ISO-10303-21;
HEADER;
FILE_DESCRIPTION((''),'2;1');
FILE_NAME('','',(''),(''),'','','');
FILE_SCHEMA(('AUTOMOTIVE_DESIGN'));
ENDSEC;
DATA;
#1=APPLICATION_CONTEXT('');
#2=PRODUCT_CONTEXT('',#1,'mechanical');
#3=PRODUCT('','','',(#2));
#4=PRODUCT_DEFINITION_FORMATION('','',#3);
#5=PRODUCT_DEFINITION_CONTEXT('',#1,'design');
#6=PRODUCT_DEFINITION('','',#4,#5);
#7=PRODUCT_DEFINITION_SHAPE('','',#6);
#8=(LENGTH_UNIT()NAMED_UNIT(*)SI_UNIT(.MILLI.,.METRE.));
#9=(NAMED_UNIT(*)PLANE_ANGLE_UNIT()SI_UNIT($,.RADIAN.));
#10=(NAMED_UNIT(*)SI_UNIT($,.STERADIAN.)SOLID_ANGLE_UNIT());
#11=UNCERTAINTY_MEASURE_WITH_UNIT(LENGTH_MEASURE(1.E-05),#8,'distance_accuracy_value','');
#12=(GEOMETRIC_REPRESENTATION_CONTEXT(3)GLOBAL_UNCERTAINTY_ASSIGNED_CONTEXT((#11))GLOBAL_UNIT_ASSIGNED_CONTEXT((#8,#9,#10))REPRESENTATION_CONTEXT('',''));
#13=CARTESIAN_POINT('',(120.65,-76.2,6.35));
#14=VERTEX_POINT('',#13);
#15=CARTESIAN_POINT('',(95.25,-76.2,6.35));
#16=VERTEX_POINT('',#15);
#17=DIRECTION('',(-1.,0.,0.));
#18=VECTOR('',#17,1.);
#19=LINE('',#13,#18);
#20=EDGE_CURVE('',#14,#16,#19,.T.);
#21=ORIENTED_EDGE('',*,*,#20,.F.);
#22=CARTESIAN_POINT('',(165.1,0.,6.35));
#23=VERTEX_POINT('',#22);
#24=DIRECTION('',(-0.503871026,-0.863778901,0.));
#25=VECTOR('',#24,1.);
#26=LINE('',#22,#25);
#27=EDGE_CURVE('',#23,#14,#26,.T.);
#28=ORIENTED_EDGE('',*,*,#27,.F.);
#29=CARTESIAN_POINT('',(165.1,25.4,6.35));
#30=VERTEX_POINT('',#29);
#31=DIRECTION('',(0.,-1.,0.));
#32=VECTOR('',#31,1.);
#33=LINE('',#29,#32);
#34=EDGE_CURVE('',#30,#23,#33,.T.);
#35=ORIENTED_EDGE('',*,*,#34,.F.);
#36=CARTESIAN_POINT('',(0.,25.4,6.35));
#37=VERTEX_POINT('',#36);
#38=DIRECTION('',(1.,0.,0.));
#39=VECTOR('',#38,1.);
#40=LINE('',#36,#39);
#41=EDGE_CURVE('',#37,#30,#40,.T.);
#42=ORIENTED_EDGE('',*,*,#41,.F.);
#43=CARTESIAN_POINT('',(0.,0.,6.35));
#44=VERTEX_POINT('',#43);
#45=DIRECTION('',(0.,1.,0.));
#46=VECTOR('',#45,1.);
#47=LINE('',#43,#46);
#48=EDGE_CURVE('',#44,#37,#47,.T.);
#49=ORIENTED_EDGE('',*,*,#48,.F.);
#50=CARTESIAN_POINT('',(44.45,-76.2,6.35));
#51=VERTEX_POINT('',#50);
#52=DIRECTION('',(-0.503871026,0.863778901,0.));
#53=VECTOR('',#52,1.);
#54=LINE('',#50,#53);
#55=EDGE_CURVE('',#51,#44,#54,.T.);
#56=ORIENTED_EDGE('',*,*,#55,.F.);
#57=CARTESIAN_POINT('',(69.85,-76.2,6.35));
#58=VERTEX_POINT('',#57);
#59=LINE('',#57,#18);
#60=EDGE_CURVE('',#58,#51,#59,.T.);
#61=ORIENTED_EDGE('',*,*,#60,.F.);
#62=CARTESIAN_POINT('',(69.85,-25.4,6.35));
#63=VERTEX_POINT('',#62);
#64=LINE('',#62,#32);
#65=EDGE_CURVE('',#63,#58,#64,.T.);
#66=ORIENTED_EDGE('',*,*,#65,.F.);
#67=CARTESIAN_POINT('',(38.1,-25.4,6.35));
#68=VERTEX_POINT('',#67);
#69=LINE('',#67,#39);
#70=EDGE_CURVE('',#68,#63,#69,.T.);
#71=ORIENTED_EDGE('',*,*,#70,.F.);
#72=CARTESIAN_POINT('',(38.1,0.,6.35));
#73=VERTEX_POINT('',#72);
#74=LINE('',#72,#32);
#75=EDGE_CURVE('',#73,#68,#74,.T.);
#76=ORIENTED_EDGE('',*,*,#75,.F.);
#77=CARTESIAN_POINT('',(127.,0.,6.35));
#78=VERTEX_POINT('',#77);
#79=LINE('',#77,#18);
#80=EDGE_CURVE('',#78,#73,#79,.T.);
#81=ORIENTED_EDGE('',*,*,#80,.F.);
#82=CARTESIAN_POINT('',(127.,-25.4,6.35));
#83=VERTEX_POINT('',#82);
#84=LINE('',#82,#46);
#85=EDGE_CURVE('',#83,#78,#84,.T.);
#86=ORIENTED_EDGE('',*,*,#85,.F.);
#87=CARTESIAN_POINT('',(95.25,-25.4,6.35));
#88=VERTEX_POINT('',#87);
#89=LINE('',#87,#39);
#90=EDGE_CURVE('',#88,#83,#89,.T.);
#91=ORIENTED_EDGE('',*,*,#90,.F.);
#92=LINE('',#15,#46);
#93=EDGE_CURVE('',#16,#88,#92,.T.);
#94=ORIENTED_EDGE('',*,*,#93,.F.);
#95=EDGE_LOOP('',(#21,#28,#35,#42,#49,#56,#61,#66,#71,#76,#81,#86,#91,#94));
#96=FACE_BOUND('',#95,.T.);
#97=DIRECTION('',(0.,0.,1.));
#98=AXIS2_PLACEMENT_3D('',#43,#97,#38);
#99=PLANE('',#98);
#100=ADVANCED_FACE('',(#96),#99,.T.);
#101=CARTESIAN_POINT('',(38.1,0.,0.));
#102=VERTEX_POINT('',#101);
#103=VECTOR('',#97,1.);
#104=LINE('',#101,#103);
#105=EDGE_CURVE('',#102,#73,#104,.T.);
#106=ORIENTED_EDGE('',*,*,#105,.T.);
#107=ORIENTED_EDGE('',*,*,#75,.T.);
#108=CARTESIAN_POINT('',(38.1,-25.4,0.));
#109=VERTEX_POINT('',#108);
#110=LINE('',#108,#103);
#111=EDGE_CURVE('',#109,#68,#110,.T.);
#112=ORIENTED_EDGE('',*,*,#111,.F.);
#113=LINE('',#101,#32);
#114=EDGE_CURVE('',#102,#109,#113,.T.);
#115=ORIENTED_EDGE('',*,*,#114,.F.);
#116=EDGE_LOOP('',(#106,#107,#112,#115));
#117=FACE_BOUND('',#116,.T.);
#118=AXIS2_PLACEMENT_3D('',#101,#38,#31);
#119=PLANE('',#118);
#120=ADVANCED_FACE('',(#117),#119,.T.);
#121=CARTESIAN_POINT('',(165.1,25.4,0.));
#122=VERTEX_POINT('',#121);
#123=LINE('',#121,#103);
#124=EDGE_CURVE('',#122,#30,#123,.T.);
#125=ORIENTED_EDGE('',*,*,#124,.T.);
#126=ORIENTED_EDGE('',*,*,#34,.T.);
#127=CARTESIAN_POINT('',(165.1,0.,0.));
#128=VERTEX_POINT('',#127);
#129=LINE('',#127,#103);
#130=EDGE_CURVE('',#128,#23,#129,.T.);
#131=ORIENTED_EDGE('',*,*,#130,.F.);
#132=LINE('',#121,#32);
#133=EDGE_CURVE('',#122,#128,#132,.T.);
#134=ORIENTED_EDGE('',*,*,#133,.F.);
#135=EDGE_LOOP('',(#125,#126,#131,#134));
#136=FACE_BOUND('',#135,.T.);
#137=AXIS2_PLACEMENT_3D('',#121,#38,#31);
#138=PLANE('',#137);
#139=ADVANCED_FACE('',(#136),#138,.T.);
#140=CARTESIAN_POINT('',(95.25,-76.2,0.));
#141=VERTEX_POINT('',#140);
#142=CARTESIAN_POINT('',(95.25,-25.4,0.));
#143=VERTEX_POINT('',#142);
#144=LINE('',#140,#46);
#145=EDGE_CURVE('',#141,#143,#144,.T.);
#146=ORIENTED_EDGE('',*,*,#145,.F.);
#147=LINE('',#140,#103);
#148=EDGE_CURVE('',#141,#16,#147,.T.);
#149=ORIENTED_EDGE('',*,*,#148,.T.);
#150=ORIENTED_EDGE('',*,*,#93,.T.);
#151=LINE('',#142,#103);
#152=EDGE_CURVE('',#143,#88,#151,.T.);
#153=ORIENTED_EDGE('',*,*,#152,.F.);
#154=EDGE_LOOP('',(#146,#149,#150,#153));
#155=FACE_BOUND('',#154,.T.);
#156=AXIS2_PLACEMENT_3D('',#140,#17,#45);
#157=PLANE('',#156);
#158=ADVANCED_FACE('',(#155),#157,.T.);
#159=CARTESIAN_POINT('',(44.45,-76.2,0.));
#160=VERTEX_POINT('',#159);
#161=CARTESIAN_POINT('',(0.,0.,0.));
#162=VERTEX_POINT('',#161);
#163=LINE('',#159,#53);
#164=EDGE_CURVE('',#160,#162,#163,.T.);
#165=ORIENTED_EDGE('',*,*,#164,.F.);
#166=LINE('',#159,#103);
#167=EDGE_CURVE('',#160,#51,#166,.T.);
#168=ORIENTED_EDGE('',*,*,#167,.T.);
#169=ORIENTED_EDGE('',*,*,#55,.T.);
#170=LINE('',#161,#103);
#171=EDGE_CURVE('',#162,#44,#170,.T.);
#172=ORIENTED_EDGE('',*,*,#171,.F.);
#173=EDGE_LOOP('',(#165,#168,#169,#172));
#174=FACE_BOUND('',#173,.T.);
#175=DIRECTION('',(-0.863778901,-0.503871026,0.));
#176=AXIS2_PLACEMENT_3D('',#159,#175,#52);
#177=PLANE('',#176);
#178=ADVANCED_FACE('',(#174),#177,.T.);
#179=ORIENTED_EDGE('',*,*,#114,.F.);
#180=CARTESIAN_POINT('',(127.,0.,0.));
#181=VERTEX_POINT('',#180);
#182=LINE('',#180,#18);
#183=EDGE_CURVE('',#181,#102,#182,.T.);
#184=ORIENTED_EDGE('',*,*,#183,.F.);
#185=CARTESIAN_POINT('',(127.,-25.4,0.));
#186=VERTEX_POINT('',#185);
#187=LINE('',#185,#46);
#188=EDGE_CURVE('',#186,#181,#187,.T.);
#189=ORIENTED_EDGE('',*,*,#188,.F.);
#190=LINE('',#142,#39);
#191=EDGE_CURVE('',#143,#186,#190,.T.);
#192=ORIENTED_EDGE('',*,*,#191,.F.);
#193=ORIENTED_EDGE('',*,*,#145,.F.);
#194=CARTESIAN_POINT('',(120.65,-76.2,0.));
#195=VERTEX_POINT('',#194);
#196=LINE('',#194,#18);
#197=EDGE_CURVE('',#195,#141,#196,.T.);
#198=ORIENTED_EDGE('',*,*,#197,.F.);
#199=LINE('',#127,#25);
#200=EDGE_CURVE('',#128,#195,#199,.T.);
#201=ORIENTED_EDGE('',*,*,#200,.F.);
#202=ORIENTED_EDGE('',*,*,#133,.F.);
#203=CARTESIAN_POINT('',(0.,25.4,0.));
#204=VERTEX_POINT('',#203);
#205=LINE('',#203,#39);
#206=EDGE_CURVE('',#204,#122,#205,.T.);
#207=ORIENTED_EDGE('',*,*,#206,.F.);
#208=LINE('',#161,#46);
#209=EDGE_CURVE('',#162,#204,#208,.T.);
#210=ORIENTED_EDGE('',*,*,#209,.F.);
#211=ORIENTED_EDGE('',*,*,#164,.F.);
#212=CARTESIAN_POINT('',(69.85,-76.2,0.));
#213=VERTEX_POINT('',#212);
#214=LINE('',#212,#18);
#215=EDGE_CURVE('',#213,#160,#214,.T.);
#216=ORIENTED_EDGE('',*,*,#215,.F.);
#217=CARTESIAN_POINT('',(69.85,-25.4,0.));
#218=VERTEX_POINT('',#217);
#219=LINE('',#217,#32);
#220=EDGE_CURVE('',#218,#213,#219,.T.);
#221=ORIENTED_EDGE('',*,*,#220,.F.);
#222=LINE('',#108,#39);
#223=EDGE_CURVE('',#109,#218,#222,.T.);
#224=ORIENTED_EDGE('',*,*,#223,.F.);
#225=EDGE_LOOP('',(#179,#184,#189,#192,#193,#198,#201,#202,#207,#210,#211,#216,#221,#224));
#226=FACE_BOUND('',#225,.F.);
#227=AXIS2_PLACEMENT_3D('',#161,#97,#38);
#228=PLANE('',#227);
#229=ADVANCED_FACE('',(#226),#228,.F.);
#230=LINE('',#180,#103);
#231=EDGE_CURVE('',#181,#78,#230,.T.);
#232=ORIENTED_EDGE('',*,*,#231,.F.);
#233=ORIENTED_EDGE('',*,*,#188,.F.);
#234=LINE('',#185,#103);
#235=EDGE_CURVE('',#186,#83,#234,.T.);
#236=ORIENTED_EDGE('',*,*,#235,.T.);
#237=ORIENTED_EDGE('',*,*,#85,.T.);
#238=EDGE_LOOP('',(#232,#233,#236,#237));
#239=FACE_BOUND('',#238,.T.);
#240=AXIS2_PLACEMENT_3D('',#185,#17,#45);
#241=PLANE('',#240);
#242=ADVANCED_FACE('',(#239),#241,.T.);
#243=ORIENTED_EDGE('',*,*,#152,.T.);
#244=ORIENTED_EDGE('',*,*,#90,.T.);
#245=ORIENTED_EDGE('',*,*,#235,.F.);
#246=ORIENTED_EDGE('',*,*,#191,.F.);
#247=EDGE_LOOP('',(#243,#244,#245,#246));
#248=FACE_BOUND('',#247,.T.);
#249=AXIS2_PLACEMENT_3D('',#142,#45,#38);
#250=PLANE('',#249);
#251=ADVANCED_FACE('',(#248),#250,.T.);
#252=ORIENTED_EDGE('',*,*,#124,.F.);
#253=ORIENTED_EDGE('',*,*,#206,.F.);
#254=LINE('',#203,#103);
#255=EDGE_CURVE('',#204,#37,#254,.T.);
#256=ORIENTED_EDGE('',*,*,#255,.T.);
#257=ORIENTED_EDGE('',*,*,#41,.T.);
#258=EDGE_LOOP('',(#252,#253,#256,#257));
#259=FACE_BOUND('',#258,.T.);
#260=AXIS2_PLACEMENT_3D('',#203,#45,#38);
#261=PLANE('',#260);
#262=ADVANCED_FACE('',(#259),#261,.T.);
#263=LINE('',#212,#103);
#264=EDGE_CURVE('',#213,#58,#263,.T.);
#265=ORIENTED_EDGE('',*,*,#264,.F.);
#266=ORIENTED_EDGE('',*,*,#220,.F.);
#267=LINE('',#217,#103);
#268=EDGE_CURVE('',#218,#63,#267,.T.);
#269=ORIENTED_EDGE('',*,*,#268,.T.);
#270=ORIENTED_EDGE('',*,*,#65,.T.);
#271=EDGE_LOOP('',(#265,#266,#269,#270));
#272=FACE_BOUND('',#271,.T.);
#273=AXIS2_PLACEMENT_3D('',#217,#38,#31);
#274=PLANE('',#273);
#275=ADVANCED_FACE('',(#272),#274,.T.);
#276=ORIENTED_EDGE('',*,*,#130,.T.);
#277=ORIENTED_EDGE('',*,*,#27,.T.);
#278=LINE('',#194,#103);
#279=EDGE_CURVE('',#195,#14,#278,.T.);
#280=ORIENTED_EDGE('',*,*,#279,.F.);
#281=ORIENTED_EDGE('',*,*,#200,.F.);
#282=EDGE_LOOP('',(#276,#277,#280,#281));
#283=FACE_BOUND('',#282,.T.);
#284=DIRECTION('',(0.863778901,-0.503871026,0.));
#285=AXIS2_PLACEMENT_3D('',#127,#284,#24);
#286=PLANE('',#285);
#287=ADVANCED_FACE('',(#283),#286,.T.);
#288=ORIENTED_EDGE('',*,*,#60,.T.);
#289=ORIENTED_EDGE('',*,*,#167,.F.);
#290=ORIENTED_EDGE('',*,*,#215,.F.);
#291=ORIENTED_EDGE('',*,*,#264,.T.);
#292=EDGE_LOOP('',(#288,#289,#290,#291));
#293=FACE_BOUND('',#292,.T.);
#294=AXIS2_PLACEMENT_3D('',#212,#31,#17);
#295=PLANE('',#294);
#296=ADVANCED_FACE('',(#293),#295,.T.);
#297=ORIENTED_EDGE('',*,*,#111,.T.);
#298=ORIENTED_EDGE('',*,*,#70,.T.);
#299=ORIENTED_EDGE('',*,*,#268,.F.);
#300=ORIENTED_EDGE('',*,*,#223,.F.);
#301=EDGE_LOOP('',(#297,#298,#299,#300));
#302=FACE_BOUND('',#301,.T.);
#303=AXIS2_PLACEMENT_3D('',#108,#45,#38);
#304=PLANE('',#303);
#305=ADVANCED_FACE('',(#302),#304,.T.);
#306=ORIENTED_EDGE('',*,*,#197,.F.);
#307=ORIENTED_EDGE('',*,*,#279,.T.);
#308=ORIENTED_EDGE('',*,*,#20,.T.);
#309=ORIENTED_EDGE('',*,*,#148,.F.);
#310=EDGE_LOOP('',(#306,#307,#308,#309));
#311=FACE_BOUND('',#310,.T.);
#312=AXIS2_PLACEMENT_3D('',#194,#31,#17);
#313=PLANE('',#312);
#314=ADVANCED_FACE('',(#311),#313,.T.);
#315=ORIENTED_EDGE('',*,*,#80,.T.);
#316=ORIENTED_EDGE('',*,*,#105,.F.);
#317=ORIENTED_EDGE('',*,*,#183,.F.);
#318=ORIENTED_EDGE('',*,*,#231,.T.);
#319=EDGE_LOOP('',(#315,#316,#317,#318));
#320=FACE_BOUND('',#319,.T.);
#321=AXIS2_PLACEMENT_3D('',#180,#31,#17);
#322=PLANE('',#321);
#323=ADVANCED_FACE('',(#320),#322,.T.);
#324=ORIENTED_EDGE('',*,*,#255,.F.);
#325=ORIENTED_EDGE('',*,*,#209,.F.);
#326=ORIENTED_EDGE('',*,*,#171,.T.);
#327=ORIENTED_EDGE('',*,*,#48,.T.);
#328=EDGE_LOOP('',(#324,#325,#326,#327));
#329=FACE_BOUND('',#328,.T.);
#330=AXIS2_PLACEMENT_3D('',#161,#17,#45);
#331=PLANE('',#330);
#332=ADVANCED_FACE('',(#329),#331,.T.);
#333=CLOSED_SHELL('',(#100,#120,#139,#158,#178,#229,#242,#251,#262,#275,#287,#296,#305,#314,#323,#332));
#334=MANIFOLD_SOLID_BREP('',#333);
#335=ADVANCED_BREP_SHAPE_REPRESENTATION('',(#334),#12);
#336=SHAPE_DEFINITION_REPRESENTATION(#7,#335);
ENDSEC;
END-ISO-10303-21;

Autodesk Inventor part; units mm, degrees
ref_plane "YZ Plane" through (0, 0, 0) normal (1, 0, 0) x (0, 1, 0)
ref_plane "XZ Plane" through (0, 0, 0) normal (0, 1, 0) x (-1, 0, 0)
ref_plane "XY Plane" through (0, 0, 0) normal (0, 0, 1) x (1, 0, 0)
sketch "Sketch1" plane through (0, 0, 0) normal (0, 0, 1) x (1, 0, 0)
  line L0 (0, 0) -> (0, 25.4)
  line L1 (0, 25.4) -> (165.1, 25.4)
  line L2 (165.1, 25.4) -> (165.1, 0)
  line L3 (165.1, 0) -> (120.65, -76.2)
  line L4 (120.65, -76.2) -> (95.25, -76.2)
  line L5 (95.25, -76.2) -> (95.25, -25.4)
  line L6 (95.25, -25.4) -> (127, -25.4)
  line L7 (127, -25.4) -> (127, 0)
  line L8 (127, 0) -> (38.1, 0)
  line L9 (38.1, 0) -> (38.1, -25.4)
  line L10 (38.1, -25.4) -> (69.85, -25.4)
  line L11 (69.85, -25.4) -> (69.85, -76.2)
  line L12 (69.85, -76.2) -> (44.45, -76.2)
  line L13 (44.45, -76.2) -> (0, 0)
  dimension "d0" = 165.1
  dimension "d1" = 120.65
  dimension "d2" = 44.45
  dimension "d3" = 69.85
  dimension "d5" = 25.4
  dimension "d6" = 25.4
  dimension "d7" = 101.6
  dimension "d8" = 101.6
  dimension "d9" = 88.9
  dimension "d11" = 25.4
  dimension "d12" = 38.1
  dimension "d13" = 38.1
  dimension "d14" = 25.4
  dimension "d15" = 25.4
  dimension "d16" = 90
extrude "Extrusion1" add sketch "Sketch1" along normal blind 6.35
properties part number "HW 2 Part 1"
